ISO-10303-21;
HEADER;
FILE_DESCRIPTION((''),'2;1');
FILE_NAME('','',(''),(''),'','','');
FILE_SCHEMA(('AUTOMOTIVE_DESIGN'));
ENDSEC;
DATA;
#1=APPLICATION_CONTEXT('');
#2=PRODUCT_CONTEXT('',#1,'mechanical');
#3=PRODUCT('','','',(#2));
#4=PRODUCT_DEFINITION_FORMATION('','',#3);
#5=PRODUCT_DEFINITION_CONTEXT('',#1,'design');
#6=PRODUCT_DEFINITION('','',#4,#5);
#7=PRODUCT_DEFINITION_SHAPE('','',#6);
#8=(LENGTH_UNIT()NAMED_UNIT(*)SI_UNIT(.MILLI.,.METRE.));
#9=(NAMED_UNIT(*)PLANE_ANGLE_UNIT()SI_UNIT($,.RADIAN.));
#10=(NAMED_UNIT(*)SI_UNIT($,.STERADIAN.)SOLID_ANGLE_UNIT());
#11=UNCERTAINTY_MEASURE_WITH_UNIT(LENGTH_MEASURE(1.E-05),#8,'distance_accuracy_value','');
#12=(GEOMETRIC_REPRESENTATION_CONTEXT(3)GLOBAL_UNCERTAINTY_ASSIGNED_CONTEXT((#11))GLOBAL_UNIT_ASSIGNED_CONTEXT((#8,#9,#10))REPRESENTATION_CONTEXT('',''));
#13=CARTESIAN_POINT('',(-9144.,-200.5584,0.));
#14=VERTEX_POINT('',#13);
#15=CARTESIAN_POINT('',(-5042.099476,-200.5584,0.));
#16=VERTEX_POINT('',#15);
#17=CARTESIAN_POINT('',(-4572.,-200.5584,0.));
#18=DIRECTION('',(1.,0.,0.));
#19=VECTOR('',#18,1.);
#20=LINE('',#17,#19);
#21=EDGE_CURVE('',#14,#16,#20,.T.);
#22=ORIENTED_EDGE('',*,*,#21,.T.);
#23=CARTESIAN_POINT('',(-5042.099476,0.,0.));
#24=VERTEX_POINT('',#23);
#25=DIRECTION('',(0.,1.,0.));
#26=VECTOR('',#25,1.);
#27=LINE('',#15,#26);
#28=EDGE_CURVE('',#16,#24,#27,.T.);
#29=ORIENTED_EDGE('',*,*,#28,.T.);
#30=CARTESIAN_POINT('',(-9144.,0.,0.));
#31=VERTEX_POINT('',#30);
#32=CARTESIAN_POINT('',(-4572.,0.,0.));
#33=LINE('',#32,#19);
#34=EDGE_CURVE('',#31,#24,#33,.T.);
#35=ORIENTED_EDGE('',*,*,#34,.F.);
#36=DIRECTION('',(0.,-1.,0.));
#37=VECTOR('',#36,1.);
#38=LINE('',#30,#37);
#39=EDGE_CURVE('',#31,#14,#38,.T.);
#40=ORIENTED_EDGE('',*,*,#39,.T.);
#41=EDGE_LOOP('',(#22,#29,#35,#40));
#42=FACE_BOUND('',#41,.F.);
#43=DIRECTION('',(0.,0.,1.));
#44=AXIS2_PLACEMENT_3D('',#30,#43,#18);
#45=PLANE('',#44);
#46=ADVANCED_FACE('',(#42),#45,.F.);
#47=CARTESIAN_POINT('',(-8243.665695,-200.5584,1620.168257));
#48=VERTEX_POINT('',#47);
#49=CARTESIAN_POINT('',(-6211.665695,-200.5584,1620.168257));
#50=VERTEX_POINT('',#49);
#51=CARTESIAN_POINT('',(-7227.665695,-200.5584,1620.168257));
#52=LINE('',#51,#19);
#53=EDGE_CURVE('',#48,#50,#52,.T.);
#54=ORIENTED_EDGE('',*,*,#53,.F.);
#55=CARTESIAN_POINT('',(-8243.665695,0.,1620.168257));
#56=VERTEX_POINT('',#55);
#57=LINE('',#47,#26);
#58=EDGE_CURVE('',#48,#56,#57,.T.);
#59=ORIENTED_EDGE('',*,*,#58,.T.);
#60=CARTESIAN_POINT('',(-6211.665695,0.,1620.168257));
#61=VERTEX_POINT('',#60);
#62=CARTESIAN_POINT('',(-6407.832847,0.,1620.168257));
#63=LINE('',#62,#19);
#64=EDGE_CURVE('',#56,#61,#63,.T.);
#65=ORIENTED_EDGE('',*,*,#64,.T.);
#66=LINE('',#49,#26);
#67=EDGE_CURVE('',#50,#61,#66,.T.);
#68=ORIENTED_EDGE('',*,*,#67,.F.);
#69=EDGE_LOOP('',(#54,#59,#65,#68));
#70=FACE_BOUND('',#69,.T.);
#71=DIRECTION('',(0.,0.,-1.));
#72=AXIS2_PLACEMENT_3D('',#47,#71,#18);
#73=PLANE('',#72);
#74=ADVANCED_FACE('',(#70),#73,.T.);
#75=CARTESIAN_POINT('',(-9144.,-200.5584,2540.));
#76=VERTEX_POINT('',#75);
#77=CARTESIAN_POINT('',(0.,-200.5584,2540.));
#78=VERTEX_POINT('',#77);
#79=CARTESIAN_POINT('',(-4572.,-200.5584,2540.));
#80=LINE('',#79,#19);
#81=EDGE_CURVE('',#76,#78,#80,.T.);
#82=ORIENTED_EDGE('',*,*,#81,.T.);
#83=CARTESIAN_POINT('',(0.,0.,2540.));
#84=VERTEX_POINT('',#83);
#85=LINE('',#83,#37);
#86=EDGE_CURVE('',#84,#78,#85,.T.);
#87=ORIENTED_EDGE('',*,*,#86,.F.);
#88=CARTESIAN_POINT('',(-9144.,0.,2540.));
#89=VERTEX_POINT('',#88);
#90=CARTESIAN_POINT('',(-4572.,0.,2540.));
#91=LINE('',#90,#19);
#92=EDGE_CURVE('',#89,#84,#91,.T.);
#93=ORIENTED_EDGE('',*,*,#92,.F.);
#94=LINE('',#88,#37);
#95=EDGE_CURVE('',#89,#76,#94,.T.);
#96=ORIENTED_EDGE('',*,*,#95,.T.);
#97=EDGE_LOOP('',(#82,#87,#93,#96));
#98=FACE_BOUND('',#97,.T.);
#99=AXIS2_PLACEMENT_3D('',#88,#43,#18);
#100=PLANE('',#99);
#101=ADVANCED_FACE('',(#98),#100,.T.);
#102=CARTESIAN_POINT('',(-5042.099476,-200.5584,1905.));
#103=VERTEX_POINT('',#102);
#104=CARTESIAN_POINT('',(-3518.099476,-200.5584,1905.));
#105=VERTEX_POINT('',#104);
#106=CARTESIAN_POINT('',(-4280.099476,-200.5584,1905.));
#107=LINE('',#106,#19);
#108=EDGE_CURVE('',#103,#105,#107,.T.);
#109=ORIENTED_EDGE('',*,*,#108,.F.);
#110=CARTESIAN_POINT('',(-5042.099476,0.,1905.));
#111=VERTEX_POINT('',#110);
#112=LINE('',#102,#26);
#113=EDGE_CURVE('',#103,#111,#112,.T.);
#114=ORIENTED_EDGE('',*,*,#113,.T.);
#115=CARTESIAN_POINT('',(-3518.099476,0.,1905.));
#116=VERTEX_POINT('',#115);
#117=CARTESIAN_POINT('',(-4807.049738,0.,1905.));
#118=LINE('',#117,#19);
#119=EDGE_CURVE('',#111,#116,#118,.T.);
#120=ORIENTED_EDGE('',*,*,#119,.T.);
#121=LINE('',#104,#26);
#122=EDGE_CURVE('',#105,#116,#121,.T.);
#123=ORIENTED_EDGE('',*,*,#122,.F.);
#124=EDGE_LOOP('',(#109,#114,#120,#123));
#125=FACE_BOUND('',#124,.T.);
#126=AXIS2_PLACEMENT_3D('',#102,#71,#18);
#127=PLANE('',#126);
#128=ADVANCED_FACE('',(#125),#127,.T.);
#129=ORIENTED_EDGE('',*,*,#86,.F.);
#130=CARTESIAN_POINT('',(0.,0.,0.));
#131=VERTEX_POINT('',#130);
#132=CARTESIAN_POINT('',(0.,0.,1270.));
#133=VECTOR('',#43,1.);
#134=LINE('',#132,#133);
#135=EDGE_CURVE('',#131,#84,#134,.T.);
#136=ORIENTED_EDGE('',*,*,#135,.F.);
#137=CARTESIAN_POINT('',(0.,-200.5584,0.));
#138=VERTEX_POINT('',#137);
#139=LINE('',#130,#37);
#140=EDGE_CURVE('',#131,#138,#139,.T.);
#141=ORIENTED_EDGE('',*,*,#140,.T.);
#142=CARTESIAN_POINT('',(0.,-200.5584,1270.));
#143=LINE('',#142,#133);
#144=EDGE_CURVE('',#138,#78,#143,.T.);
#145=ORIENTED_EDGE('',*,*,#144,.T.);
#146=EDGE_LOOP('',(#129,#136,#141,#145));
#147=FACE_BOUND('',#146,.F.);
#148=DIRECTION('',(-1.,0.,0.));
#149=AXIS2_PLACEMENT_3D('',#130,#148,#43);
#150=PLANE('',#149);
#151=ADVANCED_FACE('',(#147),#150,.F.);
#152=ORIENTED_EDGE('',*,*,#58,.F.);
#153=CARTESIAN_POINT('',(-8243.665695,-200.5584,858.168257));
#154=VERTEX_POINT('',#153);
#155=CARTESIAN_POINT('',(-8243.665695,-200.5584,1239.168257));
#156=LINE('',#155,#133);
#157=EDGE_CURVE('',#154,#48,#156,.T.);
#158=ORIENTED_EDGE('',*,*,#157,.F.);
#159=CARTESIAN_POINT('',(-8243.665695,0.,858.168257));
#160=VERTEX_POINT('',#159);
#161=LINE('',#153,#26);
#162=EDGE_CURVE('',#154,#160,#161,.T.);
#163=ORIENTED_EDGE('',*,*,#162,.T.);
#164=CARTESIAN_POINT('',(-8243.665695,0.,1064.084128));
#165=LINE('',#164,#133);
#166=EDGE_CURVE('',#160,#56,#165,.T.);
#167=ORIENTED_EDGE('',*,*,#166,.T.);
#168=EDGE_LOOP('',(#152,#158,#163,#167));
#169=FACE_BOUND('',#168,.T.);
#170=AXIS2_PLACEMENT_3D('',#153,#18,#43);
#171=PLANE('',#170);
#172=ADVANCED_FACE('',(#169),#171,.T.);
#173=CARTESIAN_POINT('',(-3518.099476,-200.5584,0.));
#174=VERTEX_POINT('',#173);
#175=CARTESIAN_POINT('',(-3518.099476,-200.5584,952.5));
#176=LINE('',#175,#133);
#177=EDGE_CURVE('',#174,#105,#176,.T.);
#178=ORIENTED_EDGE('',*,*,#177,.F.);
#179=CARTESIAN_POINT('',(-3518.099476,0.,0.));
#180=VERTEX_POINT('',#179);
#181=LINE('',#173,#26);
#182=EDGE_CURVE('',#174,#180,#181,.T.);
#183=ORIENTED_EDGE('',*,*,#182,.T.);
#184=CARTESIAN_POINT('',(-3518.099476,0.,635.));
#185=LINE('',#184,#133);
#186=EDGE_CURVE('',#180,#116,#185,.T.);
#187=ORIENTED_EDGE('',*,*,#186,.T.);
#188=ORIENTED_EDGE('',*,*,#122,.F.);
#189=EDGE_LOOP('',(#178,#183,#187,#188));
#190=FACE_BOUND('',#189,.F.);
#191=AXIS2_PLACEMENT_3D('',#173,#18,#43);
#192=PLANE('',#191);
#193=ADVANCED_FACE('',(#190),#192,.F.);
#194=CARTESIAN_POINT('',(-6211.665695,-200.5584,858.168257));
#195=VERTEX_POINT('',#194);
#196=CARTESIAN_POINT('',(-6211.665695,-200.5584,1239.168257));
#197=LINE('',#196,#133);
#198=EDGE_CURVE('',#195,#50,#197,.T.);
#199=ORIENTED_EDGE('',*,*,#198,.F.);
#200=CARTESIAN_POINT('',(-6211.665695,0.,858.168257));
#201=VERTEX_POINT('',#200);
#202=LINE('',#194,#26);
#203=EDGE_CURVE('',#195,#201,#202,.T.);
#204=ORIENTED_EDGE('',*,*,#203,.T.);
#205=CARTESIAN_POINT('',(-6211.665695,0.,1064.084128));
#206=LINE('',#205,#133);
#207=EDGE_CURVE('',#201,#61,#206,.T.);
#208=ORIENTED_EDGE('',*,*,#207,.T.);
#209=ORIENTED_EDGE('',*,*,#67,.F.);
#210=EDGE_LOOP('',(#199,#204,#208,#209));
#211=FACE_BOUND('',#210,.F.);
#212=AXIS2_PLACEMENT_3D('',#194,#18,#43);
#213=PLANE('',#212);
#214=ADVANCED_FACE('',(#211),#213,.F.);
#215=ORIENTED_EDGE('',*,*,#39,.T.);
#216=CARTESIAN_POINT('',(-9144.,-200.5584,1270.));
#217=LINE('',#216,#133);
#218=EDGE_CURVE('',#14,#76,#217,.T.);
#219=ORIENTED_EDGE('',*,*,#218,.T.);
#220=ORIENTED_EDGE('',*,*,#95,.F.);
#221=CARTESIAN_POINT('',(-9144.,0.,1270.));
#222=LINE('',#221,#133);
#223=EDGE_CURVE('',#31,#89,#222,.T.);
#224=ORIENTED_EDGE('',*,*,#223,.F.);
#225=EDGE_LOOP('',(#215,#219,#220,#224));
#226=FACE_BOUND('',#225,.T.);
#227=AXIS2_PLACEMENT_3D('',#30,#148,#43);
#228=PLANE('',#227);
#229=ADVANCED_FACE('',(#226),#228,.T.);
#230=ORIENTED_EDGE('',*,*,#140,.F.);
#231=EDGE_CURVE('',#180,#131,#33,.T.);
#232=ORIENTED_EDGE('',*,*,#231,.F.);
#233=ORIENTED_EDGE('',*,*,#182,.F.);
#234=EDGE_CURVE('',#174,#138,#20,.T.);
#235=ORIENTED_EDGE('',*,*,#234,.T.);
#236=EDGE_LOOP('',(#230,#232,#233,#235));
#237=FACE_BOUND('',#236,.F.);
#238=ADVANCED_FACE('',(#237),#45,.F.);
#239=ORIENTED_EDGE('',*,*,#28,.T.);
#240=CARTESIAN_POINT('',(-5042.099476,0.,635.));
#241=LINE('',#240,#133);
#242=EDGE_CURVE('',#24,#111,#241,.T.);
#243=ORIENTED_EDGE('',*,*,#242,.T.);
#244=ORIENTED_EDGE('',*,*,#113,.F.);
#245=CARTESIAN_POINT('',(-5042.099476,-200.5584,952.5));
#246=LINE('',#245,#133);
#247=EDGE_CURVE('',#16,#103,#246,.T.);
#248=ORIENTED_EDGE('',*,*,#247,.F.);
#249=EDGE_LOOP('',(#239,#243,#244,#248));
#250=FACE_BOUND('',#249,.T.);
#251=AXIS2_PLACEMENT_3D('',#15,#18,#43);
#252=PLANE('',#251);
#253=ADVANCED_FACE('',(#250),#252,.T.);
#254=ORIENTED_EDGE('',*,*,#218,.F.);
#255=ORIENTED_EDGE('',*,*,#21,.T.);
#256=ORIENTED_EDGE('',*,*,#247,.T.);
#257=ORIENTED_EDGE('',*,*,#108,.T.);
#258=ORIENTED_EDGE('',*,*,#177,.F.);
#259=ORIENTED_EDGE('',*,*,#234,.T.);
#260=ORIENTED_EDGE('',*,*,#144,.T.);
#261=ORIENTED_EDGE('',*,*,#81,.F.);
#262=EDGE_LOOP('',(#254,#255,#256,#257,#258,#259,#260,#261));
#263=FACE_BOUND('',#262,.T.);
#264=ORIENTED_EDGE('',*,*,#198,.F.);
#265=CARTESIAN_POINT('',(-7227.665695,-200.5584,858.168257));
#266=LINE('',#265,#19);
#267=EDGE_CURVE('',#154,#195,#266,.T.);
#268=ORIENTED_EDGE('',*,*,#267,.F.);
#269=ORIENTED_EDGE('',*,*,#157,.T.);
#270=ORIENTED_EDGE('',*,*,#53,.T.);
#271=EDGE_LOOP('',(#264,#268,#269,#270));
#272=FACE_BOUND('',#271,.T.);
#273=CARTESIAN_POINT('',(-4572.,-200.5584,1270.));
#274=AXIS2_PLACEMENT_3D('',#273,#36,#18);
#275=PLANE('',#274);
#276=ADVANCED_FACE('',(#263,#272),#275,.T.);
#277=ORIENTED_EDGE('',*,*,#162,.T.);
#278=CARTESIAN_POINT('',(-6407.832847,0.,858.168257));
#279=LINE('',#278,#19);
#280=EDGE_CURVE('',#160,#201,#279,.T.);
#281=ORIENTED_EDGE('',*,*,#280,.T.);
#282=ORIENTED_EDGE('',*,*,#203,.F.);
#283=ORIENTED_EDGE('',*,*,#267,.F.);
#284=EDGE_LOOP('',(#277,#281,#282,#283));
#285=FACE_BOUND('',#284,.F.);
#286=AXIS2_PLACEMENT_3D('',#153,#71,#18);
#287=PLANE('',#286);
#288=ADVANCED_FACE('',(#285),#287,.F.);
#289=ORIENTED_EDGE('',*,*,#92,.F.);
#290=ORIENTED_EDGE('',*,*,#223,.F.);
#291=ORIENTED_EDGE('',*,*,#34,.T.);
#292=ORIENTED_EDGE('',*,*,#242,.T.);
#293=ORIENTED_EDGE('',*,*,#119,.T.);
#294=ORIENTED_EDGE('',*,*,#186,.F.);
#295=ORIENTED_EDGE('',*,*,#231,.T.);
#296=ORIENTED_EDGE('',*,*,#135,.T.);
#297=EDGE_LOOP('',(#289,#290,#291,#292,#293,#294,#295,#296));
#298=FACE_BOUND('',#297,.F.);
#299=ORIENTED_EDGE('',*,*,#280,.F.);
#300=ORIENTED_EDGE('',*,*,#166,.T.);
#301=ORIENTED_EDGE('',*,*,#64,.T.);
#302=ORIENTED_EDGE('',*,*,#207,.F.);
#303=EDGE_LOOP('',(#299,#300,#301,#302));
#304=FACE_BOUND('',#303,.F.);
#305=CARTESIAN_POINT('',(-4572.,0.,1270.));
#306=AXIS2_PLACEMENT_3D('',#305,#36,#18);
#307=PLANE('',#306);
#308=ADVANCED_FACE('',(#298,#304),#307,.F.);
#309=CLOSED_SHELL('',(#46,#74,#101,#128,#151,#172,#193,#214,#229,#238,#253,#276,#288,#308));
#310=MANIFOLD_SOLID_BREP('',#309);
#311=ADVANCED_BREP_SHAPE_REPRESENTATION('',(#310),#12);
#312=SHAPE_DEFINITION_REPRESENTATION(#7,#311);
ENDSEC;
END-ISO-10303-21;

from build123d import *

# Parameters (mm, degrees)
F0_W     = 9144
F0_H     = 2540
F1_DEPTH = 200.5584
F2_W     = 2032
F2_H     = 762
F2_W_2   = 1524
F2_H_2   = 1905
F3_DEPTH = 210.312


with BuildPart() as f1:
    # F0 (on Front) → F1 (new body)
    with BuildSketch(Plane.XZ):
        with Locations((-4572, 1270)):
            Rectangle(F0_W, F0_H)
    extrude(amount=F1_DEPTH)

    # F2 (on face) → F3 (cut)
    with BuildSketch(Plane.XZ.offset(200.5584)):
        with Locations((-7227.665695, 1239.168257)):
            Rectangle(F2_W, F2_H)
        with Locations((-4280.099476, 952.5)):
            Rectangle(F2_W_2, F2_H_2)
    extrude(amount=-F3_DEPTH, mode=Mode.SUBTRACT)


solid = f1.part
